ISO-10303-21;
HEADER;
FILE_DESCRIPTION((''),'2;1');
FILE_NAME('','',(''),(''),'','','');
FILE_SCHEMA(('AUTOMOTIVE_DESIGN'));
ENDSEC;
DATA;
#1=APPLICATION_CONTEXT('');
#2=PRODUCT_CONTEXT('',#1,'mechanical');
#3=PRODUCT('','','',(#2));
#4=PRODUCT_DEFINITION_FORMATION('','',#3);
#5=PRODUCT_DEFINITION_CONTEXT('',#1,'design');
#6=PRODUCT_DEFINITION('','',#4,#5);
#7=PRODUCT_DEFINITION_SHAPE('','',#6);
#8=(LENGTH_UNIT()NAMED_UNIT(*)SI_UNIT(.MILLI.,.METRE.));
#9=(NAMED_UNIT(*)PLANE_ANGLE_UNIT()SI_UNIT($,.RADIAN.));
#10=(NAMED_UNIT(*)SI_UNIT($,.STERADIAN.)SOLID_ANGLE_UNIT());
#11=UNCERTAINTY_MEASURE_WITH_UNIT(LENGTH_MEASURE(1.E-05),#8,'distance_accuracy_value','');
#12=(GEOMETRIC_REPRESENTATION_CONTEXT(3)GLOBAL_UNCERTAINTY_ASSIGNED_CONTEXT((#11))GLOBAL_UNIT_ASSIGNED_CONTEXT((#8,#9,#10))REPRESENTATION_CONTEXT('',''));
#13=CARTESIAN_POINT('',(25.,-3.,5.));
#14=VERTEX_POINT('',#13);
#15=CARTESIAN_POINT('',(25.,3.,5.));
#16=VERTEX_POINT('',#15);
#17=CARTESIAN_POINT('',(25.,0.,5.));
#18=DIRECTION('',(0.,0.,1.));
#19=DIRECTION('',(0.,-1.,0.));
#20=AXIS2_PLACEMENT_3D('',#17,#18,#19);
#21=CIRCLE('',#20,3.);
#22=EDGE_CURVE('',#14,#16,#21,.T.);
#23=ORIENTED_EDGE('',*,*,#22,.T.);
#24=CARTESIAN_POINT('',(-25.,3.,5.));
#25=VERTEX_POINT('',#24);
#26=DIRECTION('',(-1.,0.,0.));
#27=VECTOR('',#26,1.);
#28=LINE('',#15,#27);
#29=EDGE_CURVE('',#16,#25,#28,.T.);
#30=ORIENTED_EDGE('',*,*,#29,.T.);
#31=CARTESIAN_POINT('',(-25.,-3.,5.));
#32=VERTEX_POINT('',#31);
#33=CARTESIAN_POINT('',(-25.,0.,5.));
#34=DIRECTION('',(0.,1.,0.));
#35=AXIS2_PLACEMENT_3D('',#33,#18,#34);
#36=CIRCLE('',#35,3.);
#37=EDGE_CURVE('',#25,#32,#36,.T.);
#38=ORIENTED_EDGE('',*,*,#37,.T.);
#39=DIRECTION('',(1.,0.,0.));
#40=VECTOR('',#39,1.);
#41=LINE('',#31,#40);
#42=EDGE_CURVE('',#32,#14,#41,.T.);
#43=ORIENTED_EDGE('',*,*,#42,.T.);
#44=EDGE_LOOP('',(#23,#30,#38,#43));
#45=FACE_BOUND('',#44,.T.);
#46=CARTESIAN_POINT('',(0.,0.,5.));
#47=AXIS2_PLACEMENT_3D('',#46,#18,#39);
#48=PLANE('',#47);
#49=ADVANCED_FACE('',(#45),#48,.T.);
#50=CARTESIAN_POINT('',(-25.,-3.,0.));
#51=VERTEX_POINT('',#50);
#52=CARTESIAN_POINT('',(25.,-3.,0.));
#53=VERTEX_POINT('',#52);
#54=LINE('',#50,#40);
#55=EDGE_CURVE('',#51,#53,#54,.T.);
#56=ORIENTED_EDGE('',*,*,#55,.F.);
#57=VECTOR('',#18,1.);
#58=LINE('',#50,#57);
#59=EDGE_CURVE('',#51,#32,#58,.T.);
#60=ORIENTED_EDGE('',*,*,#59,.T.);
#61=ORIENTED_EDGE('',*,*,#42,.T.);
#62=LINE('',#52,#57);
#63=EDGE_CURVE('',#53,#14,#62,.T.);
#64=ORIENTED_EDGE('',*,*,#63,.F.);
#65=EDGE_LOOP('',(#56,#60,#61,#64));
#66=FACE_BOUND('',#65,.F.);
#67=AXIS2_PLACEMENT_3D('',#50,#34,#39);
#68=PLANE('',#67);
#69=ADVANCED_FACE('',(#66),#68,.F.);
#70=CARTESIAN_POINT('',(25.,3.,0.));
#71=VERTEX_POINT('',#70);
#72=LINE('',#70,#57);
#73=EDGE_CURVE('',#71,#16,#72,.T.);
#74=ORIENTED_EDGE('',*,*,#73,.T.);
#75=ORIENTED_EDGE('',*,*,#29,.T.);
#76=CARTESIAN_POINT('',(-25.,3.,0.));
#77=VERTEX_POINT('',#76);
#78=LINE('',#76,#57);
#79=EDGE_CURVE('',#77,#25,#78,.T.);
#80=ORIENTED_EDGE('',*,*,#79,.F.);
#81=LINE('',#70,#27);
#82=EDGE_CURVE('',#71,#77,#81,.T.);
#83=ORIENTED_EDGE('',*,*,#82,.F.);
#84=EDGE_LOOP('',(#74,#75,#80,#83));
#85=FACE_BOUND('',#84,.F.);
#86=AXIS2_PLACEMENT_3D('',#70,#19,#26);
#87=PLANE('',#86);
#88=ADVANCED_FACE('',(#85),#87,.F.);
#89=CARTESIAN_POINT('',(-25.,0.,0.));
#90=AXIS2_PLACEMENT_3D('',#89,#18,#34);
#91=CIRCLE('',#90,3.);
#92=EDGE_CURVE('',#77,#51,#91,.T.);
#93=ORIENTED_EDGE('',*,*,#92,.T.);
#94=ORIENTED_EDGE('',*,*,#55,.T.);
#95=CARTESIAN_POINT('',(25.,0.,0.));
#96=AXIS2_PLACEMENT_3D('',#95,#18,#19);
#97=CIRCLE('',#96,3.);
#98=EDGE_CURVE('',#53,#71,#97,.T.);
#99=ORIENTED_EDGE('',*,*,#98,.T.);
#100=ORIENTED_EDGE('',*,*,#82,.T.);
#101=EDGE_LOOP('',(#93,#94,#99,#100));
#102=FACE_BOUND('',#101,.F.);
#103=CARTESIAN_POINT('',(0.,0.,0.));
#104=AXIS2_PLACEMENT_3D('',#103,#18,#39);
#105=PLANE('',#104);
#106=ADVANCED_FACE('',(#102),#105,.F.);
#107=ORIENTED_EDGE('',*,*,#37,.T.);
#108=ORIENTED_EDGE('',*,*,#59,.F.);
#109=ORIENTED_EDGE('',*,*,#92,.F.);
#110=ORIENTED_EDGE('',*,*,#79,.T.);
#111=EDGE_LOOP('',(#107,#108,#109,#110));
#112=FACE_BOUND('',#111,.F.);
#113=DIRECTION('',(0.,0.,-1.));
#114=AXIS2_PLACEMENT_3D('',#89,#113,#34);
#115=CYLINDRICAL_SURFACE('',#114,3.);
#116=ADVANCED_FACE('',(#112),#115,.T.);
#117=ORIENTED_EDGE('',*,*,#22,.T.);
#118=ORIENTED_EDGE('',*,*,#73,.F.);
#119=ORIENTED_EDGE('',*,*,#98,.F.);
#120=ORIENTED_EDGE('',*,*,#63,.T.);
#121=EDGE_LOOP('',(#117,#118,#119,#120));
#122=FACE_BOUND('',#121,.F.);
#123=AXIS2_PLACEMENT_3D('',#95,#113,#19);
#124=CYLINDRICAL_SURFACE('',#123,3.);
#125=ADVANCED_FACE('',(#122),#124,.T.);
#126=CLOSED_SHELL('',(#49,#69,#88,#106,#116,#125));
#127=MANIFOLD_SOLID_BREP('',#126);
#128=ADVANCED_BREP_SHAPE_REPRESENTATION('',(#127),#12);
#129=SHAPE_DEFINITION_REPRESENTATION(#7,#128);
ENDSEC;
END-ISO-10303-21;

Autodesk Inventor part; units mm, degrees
ref_plane "YZ Plane" through (0, 0, 0) normal (1, 0, 0) x (0, 1, 0)
ref_plane "XZ Plane" through (0, 0, 0) normal (0, 1, 0) x (-1, 0, 0)
ref_plane "XY Plane" through (0, 0, 0) normal (0, 0, 1) x (1, 0, 0)
sketch "Sketch1" plane through (0, 0, 0) normal (0, 0, 1) x (1, 0, 0)
  line L0 (-25, -3) -> (25, -3)
  line L1 (25, -3) -> (25, 3) construction
  line L2 (25, 3) -> (-25, 3)
  line L3 (-25, 3) -> (-25, -3) construction
  line L4 (-25, -3) -> (25, 3) construction
  line L5 (25, -3) -> (-25, 3) construction
  arc A0 (-25, 3) -> (-25, -3) centre (-25, 0) ccw
  arc A1 (25, -3) -> (25, 3) centre (25, 0) ccw
  point P0 (0, 0)
  dimension "d0" = 50
  dimension "d1" = 6
extrude "Extrusion1" add sketch "Sketch1" along normal blind 5
properties part number "LED_Cover" material "PMMA Plastic"
